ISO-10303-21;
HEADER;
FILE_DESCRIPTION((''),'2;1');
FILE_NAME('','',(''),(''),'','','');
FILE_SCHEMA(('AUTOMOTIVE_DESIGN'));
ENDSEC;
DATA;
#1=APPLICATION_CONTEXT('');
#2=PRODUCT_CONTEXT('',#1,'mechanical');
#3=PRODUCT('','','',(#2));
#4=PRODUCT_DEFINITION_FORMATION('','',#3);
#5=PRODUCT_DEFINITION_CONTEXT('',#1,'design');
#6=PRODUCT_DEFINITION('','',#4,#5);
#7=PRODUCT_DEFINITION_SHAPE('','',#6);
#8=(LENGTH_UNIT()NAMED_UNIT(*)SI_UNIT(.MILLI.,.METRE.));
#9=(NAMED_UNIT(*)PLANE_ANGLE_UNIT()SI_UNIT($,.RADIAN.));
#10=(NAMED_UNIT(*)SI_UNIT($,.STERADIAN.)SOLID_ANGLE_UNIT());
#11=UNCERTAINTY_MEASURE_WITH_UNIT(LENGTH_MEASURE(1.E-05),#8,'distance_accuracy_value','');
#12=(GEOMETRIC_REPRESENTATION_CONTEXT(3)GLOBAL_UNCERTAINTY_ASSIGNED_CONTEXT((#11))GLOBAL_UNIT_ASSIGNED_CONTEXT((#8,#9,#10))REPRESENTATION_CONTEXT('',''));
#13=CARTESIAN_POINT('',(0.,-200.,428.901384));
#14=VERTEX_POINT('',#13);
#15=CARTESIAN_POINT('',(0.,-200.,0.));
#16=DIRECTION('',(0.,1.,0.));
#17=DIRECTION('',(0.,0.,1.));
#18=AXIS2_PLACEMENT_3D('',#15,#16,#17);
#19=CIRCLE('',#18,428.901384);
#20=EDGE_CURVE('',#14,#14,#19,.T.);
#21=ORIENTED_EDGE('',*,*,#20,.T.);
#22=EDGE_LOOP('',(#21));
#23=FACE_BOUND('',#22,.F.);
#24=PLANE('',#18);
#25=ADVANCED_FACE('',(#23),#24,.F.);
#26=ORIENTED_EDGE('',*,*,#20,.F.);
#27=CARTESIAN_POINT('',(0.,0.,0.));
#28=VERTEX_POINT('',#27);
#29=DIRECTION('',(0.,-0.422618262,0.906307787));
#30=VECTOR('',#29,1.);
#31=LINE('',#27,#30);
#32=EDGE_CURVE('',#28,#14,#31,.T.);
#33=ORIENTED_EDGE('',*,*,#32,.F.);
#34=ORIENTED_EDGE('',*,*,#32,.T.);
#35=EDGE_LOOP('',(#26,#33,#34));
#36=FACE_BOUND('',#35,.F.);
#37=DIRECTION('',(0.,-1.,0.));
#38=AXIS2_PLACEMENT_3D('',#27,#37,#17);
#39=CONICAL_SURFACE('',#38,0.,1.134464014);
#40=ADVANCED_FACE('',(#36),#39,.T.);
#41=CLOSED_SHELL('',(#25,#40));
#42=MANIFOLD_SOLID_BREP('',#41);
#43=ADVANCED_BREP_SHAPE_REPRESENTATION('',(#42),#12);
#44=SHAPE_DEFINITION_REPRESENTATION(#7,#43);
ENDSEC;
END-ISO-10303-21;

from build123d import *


with BuildPart() as f1:
    # F0 (on Right) → F1 (revolve)
    with BuildSketch(Plane.YZ):
        Polygon((-200, 0), (0, 0), (-200, 428.901384), align=None)
    revolve(axis=Axis((0, -100, 0), (0, 1, 0)))


solid = f1.part
